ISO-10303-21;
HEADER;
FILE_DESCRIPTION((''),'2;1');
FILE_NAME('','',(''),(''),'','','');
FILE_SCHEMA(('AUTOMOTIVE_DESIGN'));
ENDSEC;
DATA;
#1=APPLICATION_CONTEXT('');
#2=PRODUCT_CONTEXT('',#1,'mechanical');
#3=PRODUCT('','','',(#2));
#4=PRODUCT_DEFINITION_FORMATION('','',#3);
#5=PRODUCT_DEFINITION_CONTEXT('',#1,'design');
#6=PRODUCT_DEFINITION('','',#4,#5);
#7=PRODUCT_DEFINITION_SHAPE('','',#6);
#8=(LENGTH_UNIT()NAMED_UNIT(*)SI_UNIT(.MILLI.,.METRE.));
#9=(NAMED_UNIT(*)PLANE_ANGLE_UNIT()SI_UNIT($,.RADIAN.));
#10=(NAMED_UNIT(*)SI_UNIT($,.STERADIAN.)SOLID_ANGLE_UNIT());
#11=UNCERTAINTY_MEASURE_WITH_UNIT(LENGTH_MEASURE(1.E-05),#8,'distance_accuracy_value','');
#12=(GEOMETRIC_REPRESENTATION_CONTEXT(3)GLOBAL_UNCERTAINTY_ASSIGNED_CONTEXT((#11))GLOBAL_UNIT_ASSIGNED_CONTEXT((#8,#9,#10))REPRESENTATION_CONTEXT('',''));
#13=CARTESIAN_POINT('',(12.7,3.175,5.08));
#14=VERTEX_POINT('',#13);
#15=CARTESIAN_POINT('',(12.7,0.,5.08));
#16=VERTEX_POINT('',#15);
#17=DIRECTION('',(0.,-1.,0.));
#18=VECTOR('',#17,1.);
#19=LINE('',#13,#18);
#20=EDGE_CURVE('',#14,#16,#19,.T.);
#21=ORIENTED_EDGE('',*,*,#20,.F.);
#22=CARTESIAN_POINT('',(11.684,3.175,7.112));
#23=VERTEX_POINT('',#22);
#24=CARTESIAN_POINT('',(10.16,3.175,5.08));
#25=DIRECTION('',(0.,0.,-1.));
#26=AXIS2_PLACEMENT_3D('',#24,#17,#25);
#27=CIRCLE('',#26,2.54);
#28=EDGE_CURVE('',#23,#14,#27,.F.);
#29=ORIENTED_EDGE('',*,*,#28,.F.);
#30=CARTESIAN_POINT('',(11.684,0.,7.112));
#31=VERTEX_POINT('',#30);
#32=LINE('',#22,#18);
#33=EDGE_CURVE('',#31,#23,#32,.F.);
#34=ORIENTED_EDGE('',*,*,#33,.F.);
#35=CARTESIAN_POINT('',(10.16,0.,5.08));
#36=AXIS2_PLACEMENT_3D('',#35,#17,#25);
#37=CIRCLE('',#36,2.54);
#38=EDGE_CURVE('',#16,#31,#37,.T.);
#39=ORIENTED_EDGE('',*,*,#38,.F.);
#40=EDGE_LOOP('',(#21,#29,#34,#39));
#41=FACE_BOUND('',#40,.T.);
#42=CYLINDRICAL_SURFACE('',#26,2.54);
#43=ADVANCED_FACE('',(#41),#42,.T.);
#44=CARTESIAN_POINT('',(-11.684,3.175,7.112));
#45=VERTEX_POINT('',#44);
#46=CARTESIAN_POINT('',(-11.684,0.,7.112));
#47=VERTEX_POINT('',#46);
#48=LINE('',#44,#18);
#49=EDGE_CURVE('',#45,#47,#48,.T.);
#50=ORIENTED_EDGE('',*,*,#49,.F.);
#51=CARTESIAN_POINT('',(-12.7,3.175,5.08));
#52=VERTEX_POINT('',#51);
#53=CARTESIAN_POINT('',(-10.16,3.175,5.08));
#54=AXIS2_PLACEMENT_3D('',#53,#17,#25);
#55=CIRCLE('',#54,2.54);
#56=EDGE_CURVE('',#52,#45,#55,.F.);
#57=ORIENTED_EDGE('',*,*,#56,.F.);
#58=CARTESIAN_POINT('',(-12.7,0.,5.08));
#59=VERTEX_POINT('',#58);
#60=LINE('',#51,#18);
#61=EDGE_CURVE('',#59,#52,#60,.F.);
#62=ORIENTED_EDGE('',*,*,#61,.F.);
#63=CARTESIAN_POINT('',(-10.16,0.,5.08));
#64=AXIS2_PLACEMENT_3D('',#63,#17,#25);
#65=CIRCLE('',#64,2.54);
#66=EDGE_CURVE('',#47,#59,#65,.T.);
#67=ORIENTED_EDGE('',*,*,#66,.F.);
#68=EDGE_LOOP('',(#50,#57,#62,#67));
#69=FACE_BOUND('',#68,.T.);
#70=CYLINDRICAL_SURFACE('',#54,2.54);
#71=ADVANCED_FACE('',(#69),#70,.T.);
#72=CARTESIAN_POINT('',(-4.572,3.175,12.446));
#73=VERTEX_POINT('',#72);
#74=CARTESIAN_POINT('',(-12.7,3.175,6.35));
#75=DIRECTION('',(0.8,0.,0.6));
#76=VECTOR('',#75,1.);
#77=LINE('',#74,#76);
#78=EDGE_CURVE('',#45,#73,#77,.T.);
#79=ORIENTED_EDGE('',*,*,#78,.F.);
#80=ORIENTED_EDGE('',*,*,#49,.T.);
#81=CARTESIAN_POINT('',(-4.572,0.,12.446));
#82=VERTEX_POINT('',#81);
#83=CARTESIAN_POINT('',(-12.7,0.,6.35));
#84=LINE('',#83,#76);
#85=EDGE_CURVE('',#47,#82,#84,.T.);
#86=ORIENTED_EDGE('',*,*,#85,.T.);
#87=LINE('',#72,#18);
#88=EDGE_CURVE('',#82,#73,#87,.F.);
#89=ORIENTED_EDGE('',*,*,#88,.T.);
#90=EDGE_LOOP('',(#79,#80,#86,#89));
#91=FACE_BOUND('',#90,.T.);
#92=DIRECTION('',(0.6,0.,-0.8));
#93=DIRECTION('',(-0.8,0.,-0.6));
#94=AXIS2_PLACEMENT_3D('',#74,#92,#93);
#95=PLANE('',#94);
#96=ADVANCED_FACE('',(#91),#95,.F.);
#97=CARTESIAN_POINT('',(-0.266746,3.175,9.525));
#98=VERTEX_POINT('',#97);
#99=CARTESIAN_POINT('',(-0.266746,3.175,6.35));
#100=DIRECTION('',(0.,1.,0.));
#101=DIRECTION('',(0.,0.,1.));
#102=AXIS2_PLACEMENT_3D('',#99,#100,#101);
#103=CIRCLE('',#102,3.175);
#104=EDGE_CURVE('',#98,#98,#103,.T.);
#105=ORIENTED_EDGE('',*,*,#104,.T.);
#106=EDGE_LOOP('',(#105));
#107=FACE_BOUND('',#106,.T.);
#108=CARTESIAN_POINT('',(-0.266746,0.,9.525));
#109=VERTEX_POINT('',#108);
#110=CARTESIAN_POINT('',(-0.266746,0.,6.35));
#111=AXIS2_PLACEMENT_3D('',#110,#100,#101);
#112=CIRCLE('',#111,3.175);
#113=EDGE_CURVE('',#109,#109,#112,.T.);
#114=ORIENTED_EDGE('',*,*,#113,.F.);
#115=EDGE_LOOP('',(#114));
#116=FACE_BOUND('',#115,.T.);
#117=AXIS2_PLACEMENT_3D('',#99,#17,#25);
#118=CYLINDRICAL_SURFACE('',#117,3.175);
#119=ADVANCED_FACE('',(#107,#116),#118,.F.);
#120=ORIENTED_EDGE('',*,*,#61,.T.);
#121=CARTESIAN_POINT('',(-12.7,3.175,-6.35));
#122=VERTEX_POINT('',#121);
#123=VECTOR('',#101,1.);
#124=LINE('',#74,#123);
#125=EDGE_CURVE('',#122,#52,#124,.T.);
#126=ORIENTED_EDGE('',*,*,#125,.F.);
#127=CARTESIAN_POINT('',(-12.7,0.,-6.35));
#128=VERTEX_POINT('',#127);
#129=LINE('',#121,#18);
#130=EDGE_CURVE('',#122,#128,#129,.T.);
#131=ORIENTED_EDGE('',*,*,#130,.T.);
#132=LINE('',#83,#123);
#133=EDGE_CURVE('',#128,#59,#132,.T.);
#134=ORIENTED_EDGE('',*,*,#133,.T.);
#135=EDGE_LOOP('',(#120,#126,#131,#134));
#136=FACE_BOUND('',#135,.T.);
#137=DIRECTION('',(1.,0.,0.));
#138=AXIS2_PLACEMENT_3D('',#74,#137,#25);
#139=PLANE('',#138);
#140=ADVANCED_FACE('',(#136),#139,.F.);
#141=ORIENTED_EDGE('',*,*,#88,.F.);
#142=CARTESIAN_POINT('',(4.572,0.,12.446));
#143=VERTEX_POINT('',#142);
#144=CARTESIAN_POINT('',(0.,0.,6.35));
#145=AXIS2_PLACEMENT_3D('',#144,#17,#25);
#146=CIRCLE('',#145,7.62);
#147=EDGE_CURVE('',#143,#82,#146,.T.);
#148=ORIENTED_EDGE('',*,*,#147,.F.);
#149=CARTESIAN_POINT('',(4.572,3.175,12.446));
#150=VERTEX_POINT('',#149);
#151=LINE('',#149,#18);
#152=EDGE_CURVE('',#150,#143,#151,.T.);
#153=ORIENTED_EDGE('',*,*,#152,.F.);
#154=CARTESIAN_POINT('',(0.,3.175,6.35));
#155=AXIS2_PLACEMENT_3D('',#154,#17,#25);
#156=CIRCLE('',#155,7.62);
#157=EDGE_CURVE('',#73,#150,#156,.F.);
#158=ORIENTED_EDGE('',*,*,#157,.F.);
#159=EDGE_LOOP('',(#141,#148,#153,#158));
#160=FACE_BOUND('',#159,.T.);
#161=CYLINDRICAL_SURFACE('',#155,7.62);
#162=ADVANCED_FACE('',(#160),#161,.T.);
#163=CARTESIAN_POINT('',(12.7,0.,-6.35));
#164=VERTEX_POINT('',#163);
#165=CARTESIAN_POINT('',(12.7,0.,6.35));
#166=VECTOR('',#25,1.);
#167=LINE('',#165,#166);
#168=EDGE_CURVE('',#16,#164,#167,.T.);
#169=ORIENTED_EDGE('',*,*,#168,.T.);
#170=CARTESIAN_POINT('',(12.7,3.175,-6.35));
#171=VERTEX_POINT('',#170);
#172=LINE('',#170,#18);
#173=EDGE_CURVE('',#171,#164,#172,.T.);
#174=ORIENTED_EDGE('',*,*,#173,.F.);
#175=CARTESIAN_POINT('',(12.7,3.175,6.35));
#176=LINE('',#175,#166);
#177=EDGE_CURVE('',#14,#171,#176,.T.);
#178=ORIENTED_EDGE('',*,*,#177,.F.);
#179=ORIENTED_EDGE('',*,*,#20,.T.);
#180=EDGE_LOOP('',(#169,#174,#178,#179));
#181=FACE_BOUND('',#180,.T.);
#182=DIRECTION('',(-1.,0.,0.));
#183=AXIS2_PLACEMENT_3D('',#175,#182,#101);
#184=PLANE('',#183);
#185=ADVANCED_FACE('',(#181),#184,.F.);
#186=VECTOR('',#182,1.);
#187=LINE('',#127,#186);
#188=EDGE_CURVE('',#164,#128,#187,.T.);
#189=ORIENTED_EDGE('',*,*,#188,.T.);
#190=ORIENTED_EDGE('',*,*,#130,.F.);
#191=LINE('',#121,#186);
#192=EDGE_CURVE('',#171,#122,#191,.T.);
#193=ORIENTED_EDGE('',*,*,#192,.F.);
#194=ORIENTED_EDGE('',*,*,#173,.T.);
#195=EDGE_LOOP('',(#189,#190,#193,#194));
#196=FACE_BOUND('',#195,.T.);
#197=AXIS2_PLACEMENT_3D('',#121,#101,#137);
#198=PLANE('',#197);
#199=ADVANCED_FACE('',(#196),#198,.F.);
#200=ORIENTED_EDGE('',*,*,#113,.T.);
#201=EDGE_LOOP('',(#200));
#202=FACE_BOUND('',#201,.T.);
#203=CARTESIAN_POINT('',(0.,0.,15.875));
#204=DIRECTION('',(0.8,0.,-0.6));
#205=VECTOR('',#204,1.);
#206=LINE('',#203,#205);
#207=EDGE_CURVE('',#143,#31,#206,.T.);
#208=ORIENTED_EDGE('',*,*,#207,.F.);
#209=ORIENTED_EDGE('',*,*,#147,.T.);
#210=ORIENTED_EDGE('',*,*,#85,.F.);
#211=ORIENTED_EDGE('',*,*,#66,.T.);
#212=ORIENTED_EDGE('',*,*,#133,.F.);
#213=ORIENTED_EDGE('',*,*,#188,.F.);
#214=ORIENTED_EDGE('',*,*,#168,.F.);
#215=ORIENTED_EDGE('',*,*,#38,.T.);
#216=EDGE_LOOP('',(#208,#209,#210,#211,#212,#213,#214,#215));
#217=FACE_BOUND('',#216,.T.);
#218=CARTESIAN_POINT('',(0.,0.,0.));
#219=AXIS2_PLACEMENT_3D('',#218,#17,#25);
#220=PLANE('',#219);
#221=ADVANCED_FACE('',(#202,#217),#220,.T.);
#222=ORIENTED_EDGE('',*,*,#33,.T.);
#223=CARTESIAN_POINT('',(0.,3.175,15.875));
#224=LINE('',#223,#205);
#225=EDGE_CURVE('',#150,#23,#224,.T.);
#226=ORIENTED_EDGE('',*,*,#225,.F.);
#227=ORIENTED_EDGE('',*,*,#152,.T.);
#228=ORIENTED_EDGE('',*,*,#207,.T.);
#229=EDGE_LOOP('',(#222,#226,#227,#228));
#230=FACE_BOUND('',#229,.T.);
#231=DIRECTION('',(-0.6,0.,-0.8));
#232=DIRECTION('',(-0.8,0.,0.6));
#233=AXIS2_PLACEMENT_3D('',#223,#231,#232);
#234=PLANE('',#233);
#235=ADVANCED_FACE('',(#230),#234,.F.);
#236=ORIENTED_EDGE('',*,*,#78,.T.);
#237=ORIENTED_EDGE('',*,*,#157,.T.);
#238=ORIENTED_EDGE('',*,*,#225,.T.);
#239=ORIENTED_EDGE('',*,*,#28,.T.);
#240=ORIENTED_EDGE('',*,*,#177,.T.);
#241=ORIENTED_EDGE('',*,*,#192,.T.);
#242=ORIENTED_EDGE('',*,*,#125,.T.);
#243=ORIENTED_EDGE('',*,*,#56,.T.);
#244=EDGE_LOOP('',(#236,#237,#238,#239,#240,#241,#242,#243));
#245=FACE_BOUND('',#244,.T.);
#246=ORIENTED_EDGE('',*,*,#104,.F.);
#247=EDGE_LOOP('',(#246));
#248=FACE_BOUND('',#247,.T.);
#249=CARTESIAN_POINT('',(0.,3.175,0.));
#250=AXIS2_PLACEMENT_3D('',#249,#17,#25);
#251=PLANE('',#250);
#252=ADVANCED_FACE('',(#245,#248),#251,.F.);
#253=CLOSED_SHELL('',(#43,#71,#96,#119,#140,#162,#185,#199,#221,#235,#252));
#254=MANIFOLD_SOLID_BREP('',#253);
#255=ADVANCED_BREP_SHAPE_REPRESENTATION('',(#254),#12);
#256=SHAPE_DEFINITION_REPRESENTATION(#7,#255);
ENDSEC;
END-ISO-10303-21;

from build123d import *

# Parameters (mm, degrees)
SKETCH1_R           = 3.175
BOSS_EXTRUDE1_DEPTH = 3.175
FILLET1_R           = 7.62
FILLET2_R           = 2.54


with BuildPart() as part:
    # Sketch1 → Boss-Extrude1 (new body)
    with BuildSketch(Plane(origin=(0, 0, 0), x_dir=(1, 0, 0), z_dir=(0, 1, 0))):
        Polygon((-12.7, -6.35), (-12.7, 6.35), (12.7, 6.35), (12.7, -6.35), (0, -15.875), align=None)
        with Locations(Location((-0.266746272, -6.35, 0), (0, 0, 270))):
            Circle(SKETCH1_R, mode=Mode.SUBTRACT)
    extrude(amount=BOSS_EXTRUDE1_DEPTH)

    # Fillet1
    fillet1_edges = [part.edges().sort_by_distance(p)[0] for p in [
        (0, 1.5875, 15.875),
    ]]
    fillet(fillet1_edges, radius=FILLET1_R)

    # Fillet2
    fillet2_edges = [part.edges().sort_by_distance(p)[0] for p in [
        (12.7, 1.5875, 6.35),
        (-12.7, 1.5875, 6.35),
    ]]
    fillet(fillet2_edges, radius=FILLET2_R)


solid = part.part
